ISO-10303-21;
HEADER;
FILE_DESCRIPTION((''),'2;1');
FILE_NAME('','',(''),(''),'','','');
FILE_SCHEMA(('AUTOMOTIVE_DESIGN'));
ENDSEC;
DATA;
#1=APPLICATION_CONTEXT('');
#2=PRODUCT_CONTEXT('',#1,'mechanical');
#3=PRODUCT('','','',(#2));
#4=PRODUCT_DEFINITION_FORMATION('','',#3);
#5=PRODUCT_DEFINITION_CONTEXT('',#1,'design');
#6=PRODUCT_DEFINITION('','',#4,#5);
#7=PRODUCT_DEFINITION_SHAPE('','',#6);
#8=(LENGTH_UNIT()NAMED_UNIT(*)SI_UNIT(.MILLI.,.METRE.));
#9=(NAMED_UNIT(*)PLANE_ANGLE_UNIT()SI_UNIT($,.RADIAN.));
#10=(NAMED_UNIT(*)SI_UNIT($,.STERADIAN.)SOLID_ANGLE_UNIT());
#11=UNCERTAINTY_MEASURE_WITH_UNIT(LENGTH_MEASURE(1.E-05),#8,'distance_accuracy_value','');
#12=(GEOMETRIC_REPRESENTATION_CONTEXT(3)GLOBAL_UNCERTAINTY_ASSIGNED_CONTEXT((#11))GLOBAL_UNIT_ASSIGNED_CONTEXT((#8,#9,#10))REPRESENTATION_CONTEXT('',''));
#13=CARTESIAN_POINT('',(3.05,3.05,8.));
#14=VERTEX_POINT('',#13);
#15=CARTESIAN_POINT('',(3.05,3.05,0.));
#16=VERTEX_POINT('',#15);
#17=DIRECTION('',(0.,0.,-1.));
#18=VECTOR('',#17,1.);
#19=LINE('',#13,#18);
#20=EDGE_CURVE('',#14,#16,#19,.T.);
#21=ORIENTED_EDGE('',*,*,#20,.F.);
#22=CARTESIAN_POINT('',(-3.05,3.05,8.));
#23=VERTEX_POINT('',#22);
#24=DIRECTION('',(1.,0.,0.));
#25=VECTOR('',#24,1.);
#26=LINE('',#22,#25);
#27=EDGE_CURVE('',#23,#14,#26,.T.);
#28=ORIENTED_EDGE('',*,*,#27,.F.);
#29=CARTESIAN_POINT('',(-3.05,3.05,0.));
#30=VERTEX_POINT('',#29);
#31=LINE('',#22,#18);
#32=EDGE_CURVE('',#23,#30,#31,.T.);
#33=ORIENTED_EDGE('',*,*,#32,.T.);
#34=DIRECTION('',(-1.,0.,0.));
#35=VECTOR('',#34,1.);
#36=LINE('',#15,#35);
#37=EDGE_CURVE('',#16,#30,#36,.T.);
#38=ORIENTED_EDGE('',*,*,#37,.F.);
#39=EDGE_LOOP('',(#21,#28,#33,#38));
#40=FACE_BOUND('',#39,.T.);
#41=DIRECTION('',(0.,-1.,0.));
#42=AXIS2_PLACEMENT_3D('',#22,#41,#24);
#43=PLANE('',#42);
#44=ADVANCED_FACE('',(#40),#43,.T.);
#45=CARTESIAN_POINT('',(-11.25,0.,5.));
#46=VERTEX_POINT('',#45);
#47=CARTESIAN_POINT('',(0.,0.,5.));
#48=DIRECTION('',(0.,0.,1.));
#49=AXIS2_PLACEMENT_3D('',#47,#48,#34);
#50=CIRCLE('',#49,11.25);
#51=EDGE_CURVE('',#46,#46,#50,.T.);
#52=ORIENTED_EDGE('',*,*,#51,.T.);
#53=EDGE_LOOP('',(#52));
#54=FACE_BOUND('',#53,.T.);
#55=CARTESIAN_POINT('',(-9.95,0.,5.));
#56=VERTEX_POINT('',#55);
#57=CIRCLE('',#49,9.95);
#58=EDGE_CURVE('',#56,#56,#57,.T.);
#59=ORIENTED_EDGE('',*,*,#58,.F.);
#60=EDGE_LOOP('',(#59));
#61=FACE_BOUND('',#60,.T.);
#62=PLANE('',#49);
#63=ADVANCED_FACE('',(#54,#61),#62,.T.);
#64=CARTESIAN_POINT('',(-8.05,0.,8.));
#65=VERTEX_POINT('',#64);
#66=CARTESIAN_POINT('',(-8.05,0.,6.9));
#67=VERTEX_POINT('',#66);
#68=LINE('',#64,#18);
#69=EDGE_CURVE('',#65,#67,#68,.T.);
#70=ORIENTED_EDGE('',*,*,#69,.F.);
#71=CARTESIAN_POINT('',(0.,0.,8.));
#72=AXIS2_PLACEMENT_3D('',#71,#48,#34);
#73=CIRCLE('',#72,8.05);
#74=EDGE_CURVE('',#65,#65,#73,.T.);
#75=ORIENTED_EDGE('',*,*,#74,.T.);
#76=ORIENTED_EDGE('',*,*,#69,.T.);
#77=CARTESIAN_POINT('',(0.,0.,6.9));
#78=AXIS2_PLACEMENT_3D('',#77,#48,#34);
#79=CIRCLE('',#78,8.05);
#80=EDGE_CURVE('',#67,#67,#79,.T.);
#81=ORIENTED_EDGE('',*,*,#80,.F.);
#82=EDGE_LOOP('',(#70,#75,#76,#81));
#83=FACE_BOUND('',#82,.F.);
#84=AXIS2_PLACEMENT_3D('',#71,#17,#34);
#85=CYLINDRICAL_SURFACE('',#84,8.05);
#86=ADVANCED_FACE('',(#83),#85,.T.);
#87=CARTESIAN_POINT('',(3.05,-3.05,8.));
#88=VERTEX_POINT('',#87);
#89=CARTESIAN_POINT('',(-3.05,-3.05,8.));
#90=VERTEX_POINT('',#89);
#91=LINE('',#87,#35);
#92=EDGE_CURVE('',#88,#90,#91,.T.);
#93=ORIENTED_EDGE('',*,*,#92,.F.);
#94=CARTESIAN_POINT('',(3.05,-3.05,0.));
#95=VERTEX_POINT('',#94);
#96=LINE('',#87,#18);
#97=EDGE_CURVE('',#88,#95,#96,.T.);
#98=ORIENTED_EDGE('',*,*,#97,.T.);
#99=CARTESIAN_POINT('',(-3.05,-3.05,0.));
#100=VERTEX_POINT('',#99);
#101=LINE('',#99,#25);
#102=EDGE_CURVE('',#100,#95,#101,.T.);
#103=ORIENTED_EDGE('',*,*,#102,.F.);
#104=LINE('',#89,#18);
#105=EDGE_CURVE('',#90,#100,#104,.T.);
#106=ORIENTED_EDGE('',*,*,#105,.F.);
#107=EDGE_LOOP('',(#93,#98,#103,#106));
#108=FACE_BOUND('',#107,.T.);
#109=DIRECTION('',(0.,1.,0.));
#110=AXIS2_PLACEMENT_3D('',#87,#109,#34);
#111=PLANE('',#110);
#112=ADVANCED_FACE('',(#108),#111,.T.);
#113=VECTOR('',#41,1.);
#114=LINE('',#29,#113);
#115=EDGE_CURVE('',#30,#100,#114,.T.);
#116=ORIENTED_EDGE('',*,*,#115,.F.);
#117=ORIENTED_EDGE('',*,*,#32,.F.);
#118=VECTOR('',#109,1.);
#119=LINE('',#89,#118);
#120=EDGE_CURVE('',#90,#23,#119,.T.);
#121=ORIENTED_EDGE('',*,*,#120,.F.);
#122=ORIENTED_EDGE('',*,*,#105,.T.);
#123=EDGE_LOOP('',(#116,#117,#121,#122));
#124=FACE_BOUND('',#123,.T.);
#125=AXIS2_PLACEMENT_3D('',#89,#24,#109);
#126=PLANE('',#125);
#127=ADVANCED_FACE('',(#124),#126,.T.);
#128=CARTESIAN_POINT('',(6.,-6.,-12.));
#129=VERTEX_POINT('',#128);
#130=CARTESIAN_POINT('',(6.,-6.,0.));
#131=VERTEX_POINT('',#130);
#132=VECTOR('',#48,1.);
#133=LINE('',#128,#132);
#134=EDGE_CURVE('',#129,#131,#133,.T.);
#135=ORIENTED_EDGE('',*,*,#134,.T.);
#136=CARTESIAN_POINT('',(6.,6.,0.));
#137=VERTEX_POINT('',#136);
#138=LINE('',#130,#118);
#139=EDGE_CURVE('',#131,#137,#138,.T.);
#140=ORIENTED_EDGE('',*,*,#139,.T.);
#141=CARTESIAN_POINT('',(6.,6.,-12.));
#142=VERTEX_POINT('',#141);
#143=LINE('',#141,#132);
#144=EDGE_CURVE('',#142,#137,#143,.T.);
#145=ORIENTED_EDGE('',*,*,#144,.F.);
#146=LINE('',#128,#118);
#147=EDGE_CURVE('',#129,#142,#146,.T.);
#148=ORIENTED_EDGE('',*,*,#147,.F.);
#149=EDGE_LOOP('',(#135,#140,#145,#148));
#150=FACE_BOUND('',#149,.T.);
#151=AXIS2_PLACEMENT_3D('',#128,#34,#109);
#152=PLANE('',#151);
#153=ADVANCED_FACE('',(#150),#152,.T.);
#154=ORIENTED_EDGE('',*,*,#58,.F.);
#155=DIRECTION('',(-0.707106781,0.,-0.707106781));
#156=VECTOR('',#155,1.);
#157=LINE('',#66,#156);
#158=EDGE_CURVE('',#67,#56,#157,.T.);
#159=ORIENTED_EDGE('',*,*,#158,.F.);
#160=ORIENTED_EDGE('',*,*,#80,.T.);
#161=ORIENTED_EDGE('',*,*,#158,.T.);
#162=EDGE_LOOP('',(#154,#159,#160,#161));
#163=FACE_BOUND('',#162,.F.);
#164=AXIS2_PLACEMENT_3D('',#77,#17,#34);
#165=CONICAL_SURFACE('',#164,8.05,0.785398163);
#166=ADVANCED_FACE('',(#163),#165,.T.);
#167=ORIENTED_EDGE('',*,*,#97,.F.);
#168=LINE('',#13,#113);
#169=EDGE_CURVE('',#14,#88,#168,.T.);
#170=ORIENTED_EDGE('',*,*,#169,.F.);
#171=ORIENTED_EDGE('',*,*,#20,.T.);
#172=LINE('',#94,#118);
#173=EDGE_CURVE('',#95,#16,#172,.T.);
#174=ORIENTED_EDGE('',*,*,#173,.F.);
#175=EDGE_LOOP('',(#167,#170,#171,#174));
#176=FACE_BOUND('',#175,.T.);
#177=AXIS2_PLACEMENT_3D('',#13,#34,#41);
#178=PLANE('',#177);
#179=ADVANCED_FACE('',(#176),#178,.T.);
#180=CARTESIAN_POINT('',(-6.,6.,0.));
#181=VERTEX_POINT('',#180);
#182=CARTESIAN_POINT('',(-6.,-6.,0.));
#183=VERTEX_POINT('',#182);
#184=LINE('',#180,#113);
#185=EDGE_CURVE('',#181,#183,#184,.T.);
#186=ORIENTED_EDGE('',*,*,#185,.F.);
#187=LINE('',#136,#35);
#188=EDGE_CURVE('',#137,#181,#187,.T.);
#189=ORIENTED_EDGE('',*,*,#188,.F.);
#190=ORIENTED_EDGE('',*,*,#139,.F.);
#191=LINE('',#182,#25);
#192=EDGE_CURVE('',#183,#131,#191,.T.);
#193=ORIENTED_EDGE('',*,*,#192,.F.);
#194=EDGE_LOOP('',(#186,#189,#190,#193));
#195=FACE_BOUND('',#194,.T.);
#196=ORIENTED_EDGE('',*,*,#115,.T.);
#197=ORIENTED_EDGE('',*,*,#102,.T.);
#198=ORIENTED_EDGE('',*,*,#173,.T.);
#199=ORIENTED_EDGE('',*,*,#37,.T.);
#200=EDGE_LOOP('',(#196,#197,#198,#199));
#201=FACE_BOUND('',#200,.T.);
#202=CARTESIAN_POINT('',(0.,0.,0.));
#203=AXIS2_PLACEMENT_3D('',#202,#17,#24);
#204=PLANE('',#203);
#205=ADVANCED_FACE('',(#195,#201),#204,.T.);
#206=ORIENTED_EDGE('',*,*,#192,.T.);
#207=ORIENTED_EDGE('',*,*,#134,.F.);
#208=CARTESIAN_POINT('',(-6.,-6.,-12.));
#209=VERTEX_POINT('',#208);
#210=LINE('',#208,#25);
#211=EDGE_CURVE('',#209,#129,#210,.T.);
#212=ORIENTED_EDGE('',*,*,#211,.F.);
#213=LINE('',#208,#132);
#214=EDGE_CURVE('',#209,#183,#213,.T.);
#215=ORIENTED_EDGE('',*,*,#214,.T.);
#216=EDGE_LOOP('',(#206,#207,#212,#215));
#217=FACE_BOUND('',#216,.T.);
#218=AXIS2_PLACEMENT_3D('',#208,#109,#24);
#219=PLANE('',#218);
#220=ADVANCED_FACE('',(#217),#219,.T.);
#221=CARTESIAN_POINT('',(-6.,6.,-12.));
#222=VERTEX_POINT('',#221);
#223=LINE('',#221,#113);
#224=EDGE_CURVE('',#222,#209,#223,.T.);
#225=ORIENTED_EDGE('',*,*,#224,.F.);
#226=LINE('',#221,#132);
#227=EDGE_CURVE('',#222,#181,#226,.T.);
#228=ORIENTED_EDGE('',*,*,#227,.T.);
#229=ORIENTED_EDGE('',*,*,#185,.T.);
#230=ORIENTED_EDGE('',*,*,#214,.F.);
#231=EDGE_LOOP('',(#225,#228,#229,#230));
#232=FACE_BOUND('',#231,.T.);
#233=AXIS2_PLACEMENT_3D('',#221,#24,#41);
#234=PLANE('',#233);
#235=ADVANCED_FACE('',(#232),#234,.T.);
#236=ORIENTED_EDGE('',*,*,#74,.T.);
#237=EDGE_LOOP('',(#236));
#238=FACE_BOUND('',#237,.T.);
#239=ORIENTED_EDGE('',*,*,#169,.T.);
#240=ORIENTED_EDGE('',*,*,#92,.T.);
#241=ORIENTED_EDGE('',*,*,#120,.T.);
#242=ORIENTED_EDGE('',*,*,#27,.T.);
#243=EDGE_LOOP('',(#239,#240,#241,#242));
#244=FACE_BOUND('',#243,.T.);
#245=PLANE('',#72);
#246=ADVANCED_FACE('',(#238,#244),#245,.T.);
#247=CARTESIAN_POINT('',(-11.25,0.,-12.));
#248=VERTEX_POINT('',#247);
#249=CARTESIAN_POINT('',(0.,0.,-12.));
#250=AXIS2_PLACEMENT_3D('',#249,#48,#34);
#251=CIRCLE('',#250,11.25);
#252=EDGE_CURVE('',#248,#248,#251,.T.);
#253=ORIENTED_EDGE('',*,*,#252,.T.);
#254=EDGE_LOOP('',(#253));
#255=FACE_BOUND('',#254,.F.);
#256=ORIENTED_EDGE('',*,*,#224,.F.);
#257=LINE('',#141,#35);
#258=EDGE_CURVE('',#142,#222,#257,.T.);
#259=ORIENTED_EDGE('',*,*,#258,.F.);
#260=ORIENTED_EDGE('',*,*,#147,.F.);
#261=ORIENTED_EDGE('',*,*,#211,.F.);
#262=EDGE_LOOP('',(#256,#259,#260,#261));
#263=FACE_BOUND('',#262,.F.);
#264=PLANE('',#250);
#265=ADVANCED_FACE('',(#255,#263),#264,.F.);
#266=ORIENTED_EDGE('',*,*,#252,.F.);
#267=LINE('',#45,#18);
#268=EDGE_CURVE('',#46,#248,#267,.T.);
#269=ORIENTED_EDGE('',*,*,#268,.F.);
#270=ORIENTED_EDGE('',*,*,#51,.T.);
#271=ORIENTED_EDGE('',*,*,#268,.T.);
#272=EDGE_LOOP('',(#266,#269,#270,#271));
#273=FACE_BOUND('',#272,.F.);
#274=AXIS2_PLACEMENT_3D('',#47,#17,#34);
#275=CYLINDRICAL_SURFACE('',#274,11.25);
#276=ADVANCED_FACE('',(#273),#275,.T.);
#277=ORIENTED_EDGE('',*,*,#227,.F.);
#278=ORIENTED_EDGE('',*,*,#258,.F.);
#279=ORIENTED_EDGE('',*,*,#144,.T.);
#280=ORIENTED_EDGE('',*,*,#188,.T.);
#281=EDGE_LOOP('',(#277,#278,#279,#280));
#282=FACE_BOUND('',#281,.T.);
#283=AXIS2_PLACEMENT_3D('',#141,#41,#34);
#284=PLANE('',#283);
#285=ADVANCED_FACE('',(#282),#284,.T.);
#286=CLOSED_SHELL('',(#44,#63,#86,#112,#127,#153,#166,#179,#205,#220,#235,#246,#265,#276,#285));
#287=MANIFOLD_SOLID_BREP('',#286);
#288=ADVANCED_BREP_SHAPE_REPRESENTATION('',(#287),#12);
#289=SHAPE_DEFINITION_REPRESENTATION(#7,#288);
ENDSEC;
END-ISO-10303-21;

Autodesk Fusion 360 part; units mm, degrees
sketch "Sketch1" plane through (0, 0, 0) normal (0, 1, 0) x (1, 0, 0)
  line L0 (0, 64.0421) -> (0, -79.964)
  line L1 (-3.05, -8) -> (-3.05, 0)
  line L2 (-6.25, 0) -> (-6.25, 12)
  line L3 (-6.25, 0) -> (-3.05, 0)
  line L4 (-8.05, -8) -> (-8.05, -5)
  line L5 (-11.25, -5) -> (-8.05, -5)
  line L6 (-11.25, -5) -> (-11.25, 12)
  line L7 (-8.05, -8) -> (-3.05, -8)
  line L8 (-11.25, 12) -> (-6.25, 12)
  line L9 (-3.05, -8) -> (0, -7.961)
  line L10 (-6.25, 12) -> (0, 12)
  dimension "d1" = 12.5
  dimension "d2" = 6.1
  dimension "d3" = 8
  dimension "d7" = 12
  dimension "d8" = -5
revolve "Revolve1" add sketch "Sketch1" angle 360 about axis through (0, 0, -64.0421) along (0, 0, 1)
sketch "Sketch2" plane through (0, 0, 8) normal (0, 0, 1) x (-1, 0, 0)
  circle A0 centre (0, 0) radius 3.05 construction
  circle A1 centre (0, 0) radius 8.05
  line L0 (-3.05, 3.05) -> (3.05, 3.05)
  line L1 (3.05, 3.05) -> (3.05, -3.05)
  line L2 (3.05, -3.05) -> (-3.05, -3.05)
  line L3 (-3.05, -3.05) -> (-3.05, 3.05)
  line L4 (-3.05, 3.05) -> (3.05, -3.05) construction
  line L5 (3.05, 3.05) -> (-3.05, -3.05) construction
  point P0 (3.05, 0)
extrude "Extrude1" cut sketch "Sketch2" against normal through all contours L0 L1 L2 L3
sketch "Sketch3" plane through (0, 0, -12) normal (0, 0, -1) x (1, 0, 0)
  line L0 (3.05, 3.05) -> (3.05, -3.05)
  line L1 (3.05, -3.05) -> (-3.05, -3.05)
  line L2 (-3.05, -3.05) -> (-3.05, 3.05)
  line L3 (-3.05, 3.05) -> (3.05, 3.05)
  circle A0 centre (0, 0) radius 11.25
  line L4 (-6, 6) -> (6, 6)
  line L5 (6, 6) -> (6, -6)
  line L6 (6, -6) -> (-6, -6)
  line L7 (-6, -6) -> (-6, 6)
  line L8 (-6, 6) -> (6, -6) construction
  line L9 (6, 6) -> (-6, -6) construction
  dimension "d11" = 12
  dimension "d12" = 12
extrude "Extrude2" cut sketch "Sketch3" against normal blind 12 contours L4 L5 L6 L7
chamfer "Chamfer1" distance 1.9 angle 45 1 edges at (-7.5052, 2.911, 5)
